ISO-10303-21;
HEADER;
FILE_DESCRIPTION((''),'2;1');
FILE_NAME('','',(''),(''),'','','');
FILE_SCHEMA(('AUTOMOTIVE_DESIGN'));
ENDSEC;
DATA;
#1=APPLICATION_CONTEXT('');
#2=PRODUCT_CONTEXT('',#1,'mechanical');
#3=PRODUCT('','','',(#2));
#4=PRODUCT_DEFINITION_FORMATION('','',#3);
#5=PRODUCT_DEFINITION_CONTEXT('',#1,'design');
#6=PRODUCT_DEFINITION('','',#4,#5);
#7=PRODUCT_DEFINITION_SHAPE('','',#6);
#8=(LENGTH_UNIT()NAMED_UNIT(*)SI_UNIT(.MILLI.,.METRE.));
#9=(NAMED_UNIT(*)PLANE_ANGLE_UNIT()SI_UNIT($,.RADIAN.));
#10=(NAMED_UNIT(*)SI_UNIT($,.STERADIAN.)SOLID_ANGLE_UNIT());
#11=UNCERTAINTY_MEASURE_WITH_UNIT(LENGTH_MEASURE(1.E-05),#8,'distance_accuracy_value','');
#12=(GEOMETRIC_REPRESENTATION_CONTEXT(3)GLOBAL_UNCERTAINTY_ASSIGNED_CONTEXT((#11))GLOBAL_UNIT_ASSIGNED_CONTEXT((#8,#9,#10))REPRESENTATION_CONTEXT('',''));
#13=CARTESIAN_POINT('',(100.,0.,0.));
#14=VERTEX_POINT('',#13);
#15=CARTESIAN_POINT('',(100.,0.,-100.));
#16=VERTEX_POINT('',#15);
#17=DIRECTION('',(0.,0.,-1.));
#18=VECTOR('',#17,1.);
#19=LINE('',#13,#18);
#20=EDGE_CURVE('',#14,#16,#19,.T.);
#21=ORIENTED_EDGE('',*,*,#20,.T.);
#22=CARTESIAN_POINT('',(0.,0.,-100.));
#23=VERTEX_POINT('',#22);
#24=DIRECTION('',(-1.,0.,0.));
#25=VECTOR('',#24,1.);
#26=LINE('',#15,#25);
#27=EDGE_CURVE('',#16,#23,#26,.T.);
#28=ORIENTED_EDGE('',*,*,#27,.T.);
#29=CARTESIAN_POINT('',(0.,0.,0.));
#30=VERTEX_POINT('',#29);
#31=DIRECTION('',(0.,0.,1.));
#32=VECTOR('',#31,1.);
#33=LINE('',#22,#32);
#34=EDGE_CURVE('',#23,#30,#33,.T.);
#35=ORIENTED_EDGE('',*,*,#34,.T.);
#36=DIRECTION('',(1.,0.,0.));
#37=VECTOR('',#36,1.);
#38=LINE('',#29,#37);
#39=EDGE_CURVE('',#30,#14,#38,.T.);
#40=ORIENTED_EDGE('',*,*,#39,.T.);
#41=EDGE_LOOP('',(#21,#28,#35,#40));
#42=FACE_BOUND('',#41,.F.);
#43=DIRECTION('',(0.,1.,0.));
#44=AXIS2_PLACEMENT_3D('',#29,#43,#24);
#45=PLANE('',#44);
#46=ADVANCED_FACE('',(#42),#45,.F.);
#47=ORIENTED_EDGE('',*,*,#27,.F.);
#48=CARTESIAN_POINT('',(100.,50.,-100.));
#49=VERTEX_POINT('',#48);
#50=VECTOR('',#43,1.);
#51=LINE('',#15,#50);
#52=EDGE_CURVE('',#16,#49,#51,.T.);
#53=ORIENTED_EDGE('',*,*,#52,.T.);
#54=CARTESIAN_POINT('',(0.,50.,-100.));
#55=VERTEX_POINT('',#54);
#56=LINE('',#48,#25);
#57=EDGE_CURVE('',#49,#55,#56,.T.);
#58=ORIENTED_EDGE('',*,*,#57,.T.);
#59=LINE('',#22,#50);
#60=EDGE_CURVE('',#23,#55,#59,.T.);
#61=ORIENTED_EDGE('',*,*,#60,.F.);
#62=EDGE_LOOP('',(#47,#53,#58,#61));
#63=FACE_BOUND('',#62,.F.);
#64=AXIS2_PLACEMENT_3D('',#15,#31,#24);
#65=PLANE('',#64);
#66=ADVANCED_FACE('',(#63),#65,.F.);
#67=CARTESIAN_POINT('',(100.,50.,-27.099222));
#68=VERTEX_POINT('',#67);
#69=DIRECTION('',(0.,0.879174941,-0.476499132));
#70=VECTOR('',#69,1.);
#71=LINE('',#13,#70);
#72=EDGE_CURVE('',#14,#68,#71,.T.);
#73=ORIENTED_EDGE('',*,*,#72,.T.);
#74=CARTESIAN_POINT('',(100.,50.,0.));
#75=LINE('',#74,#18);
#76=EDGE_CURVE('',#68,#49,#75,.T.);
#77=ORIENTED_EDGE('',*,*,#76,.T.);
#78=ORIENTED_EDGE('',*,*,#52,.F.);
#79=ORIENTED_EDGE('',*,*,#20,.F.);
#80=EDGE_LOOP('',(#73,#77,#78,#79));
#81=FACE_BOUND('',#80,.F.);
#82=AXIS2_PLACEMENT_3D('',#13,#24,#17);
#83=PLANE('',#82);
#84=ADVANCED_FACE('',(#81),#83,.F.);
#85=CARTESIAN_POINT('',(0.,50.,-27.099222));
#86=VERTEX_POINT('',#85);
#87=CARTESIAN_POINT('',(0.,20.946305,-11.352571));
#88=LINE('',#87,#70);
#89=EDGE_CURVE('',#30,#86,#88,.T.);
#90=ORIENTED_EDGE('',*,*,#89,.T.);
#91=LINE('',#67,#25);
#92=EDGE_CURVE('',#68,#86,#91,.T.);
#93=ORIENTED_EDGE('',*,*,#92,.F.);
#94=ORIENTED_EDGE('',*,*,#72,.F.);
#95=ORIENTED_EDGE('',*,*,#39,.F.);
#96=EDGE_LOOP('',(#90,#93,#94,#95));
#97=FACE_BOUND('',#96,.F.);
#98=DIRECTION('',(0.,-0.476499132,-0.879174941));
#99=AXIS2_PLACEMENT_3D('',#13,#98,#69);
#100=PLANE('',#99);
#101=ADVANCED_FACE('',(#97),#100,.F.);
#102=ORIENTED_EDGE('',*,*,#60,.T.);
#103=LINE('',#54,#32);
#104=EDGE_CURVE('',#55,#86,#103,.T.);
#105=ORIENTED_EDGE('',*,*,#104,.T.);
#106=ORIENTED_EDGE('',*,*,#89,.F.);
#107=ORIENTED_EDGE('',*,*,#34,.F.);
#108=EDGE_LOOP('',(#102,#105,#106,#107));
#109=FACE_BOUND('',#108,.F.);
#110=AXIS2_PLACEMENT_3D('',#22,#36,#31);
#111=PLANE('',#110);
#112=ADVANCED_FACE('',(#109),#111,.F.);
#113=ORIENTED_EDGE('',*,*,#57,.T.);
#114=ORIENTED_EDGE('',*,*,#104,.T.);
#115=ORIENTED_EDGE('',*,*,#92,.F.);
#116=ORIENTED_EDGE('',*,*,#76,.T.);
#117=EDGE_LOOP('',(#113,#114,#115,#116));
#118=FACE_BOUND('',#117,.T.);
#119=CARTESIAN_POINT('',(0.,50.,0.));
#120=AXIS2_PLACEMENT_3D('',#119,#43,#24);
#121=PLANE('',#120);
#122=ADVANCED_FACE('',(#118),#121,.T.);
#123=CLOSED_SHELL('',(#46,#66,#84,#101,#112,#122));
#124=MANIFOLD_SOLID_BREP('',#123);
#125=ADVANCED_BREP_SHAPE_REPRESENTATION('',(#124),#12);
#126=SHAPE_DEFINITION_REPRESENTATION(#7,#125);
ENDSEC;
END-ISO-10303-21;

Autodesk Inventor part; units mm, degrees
ref_plane "YZ Plane" through (0, 0, 0) normal (1, 0, 0) x (0, 1, 0)
ref_plane "XZ Plane" through (0, 0, 0) normal (0, 1, 0) x (-1, 0, 0)
ref_plane "XY Plane" through (0, 0, 0) normal (0, 0, 1) x (1, 0, 0)
sketch "Szkic1" plane through (0, 0, 0) normal (0, 1, 0) x (-1, 0, 0)
  line L0 (0, 0) -> (-100, 0)
  line L1 (-100, 0) -> (-100, -100)
  line L2 (-100, -100) -> (0, -100)
  line L3 (0, -100) -> (0, 0)
  dimension "d0" = 100
  dimension "d1" = 100
extrude "Wyciągnięcie proste1" add sketch "Szkic1" along normal blind 50
sketch "Szkic2" plane through (100, 0, 0) normal (1, 0, 0) x (0, 0, -1)
  line L0 (0, 0) -> (100, 0) projected
  line L1 (0, 0) -> (35.832, 66.1126)
  line L2 (0, 0) -> (100, 0) projected
  line L3 (100, 0) -> (100, 50) projected
  line L4 (0, 50) -> (100, 50) projected
  line L5 (0, 0) -> (0, 50) projected
  point P0 (27.0992, 50)
extrude "Wyciągnięcie proste2" cut sketch "Szkic2" against normal through all contours L5 L4 L1
properties part number "minisunmo_testowe"
